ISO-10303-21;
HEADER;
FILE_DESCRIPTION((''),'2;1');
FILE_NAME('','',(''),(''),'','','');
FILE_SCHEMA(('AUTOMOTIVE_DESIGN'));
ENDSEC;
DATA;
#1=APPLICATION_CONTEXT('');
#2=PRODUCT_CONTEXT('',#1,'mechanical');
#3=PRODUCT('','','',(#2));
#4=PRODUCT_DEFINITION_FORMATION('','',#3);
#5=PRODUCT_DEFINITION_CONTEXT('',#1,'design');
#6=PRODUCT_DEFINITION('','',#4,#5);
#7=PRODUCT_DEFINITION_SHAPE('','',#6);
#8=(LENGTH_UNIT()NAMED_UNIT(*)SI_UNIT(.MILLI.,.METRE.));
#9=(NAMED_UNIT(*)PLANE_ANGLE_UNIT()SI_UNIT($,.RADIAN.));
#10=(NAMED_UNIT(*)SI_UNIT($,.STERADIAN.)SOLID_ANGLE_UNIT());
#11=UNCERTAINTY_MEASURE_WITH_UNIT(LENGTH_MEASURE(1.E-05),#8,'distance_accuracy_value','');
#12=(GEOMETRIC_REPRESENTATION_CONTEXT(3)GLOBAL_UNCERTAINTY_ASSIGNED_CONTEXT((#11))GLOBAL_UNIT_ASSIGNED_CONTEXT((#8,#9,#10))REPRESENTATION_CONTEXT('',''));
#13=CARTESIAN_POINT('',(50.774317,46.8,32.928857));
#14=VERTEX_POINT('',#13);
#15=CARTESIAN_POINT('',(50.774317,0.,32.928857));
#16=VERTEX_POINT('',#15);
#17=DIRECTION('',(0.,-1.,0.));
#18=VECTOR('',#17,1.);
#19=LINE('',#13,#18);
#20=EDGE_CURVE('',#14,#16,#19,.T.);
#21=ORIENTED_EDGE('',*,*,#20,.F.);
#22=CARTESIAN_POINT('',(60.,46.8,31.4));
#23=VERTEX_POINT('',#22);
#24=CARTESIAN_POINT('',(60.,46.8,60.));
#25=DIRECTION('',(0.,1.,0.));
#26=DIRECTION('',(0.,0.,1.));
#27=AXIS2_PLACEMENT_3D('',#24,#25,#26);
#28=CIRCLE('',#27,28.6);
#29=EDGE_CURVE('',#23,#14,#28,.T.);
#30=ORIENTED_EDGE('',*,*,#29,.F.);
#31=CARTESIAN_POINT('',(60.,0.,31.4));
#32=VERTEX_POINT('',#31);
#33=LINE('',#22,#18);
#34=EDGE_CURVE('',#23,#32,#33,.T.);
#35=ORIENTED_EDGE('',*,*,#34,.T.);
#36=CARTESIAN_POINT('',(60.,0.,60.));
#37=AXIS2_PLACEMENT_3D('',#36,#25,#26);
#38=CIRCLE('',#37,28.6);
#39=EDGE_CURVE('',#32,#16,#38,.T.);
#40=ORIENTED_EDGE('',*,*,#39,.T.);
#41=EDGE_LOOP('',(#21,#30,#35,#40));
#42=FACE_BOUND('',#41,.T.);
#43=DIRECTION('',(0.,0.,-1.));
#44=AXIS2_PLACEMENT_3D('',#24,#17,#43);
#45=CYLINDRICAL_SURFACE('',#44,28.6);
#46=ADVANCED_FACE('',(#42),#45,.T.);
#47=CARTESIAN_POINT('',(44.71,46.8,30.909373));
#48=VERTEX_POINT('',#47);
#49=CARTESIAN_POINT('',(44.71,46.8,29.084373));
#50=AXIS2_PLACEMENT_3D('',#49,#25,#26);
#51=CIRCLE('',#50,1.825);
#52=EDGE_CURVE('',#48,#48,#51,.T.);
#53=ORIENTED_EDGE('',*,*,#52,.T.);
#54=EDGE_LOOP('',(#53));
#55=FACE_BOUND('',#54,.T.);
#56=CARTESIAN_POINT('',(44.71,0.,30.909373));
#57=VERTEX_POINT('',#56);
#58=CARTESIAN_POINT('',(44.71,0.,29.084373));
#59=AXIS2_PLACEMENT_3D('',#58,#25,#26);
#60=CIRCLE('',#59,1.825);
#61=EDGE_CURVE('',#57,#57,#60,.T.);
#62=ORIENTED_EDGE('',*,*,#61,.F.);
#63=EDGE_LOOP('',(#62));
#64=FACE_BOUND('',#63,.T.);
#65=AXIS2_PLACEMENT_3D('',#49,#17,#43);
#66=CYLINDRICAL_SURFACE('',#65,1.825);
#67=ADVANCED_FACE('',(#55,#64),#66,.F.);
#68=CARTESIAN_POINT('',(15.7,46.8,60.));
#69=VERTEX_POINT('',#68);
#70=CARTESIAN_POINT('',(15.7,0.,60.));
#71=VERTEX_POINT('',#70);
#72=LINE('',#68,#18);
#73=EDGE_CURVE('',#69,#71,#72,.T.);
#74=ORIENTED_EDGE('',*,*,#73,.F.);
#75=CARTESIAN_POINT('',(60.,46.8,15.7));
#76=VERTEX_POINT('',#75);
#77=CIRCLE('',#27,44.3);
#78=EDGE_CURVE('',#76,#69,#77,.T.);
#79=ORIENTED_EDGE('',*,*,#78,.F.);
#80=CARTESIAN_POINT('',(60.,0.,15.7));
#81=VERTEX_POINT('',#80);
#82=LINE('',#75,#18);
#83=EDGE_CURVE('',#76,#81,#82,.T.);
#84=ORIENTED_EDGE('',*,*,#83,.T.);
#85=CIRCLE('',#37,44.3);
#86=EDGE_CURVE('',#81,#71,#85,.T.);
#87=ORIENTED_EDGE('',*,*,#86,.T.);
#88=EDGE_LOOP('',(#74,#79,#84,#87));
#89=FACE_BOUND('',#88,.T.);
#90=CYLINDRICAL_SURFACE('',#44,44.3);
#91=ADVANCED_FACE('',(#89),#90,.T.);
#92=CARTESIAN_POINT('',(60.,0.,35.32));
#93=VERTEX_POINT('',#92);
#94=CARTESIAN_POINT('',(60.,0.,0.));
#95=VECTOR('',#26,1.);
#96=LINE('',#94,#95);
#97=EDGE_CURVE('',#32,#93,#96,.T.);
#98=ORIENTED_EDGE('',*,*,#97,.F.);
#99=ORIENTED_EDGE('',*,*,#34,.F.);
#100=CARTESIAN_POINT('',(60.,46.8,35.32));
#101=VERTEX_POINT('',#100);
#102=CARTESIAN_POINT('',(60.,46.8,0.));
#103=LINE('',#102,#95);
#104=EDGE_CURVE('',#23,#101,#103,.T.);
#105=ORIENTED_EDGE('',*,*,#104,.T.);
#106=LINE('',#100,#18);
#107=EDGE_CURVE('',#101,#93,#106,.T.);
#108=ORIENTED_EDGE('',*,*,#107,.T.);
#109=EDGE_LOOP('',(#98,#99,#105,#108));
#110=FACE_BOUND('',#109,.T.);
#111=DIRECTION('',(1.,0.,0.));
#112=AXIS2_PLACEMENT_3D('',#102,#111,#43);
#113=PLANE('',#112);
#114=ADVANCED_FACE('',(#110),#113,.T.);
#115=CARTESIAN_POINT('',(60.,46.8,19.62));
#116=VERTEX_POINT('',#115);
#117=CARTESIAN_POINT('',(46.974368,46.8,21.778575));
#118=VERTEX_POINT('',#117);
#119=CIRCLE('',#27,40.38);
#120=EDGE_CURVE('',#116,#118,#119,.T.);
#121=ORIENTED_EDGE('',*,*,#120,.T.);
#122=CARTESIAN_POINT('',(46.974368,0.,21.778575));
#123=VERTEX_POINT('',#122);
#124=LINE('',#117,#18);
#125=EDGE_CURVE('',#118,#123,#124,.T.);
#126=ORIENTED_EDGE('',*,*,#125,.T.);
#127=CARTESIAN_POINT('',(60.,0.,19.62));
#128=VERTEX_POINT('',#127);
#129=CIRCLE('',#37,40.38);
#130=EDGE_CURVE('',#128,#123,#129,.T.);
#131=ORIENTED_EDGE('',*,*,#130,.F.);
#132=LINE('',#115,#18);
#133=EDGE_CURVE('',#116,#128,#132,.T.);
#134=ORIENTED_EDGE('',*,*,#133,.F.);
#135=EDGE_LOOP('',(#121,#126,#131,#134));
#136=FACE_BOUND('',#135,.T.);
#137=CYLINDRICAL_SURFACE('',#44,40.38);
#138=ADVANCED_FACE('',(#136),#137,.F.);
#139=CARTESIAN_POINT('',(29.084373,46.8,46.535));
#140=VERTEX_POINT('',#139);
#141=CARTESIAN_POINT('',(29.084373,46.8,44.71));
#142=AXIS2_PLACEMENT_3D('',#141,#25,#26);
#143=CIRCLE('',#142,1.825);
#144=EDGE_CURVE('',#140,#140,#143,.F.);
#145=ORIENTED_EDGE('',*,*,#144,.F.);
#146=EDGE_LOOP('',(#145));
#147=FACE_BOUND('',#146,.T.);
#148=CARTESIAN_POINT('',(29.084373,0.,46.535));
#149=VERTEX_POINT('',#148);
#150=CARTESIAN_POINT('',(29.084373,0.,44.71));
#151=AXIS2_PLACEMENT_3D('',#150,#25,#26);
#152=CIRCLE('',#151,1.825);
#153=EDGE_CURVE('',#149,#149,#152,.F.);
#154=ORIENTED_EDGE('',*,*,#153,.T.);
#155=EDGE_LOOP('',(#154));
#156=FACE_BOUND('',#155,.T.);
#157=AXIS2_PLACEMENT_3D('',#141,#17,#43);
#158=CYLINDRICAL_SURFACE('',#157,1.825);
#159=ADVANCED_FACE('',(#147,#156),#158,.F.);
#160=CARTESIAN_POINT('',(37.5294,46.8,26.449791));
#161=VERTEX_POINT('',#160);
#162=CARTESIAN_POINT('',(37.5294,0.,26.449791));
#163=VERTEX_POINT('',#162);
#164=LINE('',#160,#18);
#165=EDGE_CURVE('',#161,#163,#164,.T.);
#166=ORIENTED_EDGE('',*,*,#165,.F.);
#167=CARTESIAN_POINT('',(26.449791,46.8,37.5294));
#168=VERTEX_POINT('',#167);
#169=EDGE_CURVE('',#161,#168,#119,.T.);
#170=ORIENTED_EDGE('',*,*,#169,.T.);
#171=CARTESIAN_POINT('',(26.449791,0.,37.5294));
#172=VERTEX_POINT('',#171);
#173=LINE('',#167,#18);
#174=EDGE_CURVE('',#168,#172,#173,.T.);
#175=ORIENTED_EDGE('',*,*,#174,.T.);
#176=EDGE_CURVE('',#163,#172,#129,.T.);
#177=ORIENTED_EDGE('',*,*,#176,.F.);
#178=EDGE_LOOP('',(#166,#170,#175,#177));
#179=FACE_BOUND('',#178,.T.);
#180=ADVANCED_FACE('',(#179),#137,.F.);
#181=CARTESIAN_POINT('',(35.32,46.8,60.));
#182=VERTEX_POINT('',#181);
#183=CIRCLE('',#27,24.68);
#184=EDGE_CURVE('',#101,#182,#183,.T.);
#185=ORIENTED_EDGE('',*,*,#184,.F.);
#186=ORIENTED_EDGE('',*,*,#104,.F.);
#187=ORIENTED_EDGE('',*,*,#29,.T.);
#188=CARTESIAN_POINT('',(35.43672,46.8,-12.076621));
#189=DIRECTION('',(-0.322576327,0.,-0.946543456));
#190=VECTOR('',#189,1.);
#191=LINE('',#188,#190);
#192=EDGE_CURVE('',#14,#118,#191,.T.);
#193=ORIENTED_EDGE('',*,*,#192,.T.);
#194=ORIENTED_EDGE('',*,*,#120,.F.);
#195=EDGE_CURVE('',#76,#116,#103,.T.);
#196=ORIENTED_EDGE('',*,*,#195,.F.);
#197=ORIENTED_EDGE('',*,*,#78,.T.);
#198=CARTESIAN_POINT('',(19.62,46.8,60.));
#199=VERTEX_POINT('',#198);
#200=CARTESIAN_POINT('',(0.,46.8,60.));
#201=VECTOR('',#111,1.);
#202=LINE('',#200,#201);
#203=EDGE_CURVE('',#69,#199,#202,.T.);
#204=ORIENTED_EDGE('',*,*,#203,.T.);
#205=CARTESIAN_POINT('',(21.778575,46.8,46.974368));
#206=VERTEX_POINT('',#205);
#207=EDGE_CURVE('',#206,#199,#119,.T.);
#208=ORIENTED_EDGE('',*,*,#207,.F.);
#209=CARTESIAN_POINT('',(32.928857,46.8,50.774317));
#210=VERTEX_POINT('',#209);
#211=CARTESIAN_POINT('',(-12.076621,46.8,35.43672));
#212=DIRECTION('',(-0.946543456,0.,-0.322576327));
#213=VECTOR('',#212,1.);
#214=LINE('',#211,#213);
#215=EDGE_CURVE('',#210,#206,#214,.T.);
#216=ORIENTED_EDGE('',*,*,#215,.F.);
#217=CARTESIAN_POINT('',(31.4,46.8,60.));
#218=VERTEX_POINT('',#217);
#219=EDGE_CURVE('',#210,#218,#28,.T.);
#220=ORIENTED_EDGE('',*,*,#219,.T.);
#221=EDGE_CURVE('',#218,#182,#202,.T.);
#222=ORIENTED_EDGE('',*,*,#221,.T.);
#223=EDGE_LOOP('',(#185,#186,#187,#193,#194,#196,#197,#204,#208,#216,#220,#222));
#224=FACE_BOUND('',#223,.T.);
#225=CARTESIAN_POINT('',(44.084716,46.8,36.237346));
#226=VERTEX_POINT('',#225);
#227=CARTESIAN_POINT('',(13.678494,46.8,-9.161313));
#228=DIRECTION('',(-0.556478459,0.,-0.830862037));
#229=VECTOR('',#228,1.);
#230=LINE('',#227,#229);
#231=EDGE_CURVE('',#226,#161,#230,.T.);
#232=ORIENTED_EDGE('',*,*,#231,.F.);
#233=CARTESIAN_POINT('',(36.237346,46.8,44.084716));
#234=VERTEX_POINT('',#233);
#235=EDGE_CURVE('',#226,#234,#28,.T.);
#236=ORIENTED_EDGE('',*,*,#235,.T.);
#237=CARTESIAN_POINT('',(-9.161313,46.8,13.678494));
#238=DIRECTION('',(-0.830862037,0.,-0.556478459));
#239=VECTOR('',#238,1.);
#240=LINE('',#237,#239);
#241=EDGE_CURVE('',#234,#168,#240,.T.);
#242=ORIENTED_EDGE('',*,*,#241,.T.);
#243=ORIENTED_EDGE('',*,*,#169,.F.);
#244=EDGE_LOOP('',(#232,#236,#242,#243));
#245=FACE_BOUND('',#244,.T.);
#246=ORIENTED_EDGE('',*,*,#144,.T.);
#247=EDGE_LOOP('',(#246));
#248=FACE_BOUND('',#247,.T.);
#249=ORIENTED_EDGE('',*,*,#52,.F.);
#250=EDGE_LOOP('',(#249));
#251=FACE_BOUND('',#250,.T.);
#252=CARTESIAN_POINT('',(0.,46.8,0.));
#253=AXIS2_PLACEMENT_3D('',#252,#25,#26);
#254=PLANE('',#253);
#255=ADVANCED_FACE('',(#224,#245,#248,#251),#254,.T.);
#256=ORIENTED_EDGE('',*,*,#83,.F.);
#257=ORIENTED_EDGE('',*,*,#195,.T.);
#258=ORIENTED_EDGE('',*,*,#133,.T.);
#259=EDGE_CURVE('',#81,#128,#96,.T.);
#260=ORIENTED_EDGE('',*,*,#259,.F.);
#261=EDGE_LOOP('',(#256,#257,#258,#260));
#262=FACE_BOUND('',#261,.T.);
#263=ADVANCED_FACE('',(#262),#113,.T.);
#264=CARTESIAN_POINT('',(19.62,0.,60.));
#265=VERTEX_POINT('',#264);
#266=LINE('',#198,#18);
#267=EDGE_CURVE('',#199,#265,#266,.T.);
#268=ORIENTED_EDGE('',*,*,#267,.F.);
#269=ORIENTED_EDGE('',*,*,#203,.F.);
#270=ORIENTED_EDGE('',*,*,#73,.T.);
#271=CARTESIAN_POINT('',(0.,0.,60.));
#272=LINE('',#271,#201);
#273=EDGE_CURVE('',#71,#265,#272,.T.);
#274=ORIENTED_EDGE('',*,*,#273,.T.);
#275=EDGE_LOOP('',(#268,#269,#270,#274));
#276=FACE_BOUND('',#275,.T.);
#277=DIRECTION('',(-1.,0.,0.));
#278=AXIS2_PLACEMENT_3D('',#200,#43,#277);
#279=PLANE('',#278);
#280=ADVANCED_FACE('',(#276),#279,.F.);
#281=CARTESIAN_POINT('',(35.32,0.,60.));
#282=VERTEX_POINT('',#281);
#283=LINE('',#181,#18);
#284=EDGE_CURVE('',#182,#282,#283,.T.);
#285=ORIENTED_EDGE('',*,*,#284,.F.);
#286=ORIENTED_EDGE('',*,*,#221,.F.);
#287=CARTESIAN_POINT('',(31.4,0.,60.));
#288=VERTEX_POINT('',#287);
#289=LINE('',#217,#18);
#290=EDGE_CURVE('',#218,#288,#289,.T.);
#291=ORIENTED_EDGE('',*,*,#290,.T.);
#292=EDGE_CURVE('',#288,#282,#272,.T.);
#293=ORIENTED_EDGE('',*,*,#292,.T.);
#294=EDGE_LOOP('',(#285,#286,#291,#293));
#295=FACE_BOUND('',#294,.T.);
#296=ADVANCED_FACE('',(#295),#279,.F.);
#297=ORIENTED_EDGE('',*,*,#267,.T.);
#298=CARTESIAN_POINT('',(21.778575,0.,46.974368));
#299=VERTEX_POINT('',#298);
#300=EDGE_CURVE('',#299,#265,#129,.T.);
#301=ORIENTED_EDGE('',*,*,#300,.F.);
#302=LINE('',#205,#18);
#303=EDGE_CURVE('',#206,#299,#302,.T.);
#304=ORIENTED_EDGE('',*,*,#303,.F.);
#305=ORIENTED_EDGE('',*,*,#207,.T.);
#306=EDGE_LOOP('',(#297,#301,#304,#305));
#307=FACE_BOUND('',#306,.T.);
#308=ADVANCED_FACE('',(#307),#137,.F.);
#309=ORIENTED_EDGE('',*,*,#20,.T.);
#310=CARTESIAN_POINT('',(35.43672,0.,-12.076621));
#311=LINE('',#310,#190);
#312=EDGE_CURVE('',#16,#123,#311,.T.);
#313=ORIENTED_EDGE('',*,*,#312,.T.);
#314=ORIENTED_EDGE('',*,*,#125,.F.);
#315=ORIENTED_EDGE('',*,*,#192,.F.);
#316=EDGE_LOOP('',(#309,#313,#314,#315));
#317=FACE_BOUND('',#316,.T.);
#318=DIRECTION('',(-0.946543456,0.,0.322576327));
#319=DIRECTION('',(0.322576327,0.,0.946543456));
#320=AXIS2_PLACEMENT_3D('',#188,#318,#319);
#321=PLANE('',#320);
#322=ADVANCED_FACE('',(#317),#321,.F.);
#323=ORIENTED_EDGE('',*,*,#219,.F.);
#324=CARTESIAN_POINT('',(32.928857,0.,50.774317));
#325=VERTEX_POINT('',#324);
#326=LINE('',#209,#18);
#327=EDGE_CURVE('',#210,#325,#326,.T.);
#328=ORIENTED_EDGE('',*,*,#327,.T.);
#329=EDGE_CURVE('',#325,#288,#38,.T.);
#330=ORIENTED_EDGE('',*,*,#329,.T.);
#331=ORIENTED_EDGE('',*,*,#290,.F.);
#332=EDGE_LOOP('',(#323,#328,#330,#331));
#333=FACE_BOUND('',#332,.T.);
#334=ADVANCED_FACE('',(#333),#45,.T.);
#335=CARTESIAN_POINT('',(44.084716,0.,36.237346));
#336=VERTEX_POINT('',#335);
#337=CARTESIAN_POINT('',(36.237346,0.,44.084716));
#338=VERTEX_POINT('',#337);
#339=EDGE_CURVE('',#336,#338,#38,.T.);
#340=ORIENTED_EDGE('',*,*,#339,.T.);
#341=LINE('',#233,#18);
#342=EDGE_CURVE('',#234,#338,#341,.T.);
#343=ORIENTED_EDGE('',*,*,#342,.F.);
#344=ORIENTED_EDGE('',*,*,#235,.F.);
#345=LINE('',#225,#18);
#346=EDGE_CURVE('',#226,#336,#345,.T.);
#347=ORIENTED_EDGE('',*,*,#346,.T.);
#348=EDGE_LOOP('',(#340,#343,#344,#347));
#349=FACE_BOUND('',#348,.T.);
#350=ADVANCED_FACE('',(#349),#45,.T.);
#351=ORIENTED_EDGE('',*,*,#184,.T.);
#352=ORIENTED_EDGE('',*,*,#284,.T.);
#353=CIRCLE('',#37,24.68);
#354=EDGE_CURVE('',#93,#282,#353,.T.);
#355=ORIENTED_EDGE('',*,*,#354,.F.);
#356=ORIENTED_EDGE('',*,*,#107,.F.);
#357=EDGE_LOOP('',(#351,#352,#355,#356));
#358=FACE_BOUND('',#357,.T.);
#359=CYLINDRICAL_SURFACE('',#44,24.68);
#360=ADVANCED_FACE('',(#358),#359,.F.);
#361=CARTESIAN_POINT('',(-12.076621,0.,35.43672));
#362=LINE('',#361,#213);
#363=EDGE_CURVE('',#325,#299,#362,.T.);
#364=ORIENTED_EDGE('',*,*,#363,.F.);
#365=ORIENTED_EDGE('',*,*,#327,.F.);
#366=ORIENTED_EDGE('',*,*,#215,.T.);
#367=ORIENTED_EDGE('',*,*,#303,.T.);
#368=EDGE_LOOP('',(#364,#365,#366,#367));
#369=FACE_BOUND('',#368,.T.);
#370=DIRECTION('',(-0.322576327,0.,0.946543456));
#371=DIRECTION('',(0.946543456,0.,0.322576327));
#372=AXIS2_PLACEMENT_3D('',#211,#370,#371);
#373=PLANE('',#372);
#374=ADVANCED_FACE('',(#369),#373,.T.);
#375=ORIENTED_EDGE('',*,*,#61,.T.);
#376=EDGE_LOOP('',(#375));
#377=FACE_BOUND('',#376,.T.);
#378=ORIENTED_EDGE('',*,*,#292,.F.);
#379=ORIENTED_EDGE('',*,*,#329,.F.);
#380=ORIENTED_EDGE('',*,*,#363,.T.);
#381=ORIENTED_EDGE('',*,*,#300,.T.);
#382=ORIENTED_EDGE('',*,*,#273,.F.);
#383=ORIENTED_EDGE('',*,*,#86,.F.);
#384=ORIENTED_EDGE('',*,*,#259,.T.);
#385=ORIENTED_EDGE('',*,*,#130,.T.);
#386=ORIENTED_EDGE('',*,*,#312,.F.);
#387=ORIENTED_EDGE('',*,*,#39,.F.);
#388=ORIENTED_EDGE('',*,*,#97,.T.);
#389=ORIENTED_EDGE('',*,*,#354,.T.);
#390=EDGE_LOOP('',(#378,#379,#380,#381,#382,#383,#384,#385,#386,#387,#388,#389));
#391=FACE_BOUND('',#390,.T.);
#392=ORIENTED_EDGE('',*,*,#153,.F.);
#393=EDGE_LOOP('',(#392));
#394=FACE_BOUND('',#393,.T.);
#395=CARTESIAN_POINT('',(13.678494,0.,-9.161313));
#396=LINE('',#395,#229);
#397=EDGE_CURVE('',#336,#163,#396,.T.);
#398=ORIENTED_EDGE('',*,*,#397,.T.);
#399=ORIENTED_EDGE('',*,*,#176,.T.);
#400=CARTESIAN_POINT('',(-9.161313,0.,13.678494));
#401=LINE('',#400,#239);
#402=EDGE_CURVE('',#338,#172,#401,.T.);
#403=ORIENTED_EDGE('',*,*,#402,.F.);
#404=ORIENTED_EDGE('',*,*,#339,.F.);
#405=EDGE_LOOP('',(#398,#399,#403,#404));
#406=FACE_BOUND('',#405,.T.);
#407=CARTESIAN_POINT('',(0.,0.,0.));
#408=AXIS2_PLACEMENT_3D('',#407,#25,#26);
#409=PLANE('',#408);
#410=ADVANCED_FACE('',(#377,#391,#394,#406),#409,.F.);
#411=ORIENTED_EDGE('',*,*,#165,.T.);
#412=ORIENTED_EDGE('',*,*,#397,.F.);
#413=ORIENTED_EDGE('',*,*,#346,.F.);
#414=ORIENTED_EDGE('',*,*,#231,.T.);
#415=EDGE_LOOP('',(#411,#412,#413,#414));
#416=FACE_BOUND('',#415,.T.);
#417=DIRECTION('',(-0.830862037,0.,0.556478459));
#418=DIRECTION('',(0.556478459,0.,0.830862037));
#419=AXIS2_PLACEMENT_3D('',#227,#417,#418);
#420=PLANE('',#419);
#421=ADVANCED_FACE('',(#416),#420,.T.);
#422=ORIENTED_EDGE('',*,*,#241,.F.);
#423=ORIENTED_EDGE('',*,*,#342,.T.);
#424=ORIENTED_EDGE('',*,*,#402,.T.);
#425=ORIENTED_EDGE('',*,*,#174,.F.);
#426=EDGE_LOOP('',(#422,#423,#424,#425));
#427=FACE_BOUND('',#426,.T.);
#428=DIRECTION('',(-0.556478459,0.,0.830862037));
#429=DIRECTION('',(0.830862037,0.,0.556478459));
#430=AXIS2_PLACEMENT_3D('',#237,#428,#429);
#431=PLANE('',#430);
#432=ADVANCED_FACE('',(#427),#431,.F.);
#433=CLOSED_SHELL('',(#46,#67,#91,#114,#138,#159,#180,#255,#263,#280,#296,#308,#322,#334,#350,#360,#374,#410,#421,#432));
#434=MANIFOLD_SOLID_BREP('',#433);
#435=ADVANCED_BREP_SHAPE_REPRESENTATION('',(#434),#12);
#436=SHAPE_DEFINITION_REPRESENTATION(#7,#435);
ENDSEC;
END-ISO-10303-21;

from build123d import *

# Parameters (mm, degrees)
SKETCH2_R           = 1.825
BOSS_EXTRUDE2_DEPTH = 46.8


with BuildPart() as part:
    # Sketch2 → Boss-Extrude2 (new body)
    with BuildSketch(Plane(origin=(0, 0, 0), x_dir=(1, 0, 0), z_dir=(0, 1, 0))):
        with BuildLine():
            Line((31.4, -60), (35.32, -60))
            ThreePointArc((35.32, -60), (42.54860464, -42.54860464), (60, -35.32))
            Line((60, -35.32), (60, -31.4))
            ThreePointArc((60, -31.4), (55.324247919, -31.784802987), (50.774317053, -32.928857169))
            Line((50.774317053, -32.928857169), (46.974367923, -21.778575262))
            ThreePointArc((46.974367923, -21.778575262), (53.398361223, -20.163298763), (60, -19.62))
            Line((60, -19.62), (60, -15.7))
            ThreePointArc((60, -15.7), (28.675169593, -28.675169593), (15.7, -60))
            Line((15.7, -60), (19.62, -60))
            ThreePointArc((19.62, -60), (20.163298763, -53.398361223), (21.778575262, -46.974367923))
            Line((21.778575262, -46.974367923), (32.928857169, -50.774317053))
            ThreePointArc((32.928857169, -50.774317053), (31.784802987, -55.324247919), (31.4, -60))
        make_face()
        with BuildLine():
            Line((37.529399815, -26.449790949), (44.084716065, -36.237345744))
            ThreePointArc((44.084716065, -36.237345744), (39.776746058, -39.776746058), (36.237345744, -44.084716065))
            Line((36.237345744, -44.084716065), (26.449790949, -37.529399815))
            ThreePointArc((26.449790949, -37.529399815), (31.447028176, -31.447028176), (37.529399815, -26.449790949))
        make_face(mode=Mode.SUBTRACT)
        with Locations((29.084372884, -44.71)):
            Circle(SKETCH2_R, mode=Mode.SUBTRACT)
        with Locations((44.71, -29.084372884)):
            Circle(SKETCH2_R, mode=Mode.SUBTRACT)
    extrude(amount=BOSS_EXTRUDE2_DEPTH)


solid = part.part
